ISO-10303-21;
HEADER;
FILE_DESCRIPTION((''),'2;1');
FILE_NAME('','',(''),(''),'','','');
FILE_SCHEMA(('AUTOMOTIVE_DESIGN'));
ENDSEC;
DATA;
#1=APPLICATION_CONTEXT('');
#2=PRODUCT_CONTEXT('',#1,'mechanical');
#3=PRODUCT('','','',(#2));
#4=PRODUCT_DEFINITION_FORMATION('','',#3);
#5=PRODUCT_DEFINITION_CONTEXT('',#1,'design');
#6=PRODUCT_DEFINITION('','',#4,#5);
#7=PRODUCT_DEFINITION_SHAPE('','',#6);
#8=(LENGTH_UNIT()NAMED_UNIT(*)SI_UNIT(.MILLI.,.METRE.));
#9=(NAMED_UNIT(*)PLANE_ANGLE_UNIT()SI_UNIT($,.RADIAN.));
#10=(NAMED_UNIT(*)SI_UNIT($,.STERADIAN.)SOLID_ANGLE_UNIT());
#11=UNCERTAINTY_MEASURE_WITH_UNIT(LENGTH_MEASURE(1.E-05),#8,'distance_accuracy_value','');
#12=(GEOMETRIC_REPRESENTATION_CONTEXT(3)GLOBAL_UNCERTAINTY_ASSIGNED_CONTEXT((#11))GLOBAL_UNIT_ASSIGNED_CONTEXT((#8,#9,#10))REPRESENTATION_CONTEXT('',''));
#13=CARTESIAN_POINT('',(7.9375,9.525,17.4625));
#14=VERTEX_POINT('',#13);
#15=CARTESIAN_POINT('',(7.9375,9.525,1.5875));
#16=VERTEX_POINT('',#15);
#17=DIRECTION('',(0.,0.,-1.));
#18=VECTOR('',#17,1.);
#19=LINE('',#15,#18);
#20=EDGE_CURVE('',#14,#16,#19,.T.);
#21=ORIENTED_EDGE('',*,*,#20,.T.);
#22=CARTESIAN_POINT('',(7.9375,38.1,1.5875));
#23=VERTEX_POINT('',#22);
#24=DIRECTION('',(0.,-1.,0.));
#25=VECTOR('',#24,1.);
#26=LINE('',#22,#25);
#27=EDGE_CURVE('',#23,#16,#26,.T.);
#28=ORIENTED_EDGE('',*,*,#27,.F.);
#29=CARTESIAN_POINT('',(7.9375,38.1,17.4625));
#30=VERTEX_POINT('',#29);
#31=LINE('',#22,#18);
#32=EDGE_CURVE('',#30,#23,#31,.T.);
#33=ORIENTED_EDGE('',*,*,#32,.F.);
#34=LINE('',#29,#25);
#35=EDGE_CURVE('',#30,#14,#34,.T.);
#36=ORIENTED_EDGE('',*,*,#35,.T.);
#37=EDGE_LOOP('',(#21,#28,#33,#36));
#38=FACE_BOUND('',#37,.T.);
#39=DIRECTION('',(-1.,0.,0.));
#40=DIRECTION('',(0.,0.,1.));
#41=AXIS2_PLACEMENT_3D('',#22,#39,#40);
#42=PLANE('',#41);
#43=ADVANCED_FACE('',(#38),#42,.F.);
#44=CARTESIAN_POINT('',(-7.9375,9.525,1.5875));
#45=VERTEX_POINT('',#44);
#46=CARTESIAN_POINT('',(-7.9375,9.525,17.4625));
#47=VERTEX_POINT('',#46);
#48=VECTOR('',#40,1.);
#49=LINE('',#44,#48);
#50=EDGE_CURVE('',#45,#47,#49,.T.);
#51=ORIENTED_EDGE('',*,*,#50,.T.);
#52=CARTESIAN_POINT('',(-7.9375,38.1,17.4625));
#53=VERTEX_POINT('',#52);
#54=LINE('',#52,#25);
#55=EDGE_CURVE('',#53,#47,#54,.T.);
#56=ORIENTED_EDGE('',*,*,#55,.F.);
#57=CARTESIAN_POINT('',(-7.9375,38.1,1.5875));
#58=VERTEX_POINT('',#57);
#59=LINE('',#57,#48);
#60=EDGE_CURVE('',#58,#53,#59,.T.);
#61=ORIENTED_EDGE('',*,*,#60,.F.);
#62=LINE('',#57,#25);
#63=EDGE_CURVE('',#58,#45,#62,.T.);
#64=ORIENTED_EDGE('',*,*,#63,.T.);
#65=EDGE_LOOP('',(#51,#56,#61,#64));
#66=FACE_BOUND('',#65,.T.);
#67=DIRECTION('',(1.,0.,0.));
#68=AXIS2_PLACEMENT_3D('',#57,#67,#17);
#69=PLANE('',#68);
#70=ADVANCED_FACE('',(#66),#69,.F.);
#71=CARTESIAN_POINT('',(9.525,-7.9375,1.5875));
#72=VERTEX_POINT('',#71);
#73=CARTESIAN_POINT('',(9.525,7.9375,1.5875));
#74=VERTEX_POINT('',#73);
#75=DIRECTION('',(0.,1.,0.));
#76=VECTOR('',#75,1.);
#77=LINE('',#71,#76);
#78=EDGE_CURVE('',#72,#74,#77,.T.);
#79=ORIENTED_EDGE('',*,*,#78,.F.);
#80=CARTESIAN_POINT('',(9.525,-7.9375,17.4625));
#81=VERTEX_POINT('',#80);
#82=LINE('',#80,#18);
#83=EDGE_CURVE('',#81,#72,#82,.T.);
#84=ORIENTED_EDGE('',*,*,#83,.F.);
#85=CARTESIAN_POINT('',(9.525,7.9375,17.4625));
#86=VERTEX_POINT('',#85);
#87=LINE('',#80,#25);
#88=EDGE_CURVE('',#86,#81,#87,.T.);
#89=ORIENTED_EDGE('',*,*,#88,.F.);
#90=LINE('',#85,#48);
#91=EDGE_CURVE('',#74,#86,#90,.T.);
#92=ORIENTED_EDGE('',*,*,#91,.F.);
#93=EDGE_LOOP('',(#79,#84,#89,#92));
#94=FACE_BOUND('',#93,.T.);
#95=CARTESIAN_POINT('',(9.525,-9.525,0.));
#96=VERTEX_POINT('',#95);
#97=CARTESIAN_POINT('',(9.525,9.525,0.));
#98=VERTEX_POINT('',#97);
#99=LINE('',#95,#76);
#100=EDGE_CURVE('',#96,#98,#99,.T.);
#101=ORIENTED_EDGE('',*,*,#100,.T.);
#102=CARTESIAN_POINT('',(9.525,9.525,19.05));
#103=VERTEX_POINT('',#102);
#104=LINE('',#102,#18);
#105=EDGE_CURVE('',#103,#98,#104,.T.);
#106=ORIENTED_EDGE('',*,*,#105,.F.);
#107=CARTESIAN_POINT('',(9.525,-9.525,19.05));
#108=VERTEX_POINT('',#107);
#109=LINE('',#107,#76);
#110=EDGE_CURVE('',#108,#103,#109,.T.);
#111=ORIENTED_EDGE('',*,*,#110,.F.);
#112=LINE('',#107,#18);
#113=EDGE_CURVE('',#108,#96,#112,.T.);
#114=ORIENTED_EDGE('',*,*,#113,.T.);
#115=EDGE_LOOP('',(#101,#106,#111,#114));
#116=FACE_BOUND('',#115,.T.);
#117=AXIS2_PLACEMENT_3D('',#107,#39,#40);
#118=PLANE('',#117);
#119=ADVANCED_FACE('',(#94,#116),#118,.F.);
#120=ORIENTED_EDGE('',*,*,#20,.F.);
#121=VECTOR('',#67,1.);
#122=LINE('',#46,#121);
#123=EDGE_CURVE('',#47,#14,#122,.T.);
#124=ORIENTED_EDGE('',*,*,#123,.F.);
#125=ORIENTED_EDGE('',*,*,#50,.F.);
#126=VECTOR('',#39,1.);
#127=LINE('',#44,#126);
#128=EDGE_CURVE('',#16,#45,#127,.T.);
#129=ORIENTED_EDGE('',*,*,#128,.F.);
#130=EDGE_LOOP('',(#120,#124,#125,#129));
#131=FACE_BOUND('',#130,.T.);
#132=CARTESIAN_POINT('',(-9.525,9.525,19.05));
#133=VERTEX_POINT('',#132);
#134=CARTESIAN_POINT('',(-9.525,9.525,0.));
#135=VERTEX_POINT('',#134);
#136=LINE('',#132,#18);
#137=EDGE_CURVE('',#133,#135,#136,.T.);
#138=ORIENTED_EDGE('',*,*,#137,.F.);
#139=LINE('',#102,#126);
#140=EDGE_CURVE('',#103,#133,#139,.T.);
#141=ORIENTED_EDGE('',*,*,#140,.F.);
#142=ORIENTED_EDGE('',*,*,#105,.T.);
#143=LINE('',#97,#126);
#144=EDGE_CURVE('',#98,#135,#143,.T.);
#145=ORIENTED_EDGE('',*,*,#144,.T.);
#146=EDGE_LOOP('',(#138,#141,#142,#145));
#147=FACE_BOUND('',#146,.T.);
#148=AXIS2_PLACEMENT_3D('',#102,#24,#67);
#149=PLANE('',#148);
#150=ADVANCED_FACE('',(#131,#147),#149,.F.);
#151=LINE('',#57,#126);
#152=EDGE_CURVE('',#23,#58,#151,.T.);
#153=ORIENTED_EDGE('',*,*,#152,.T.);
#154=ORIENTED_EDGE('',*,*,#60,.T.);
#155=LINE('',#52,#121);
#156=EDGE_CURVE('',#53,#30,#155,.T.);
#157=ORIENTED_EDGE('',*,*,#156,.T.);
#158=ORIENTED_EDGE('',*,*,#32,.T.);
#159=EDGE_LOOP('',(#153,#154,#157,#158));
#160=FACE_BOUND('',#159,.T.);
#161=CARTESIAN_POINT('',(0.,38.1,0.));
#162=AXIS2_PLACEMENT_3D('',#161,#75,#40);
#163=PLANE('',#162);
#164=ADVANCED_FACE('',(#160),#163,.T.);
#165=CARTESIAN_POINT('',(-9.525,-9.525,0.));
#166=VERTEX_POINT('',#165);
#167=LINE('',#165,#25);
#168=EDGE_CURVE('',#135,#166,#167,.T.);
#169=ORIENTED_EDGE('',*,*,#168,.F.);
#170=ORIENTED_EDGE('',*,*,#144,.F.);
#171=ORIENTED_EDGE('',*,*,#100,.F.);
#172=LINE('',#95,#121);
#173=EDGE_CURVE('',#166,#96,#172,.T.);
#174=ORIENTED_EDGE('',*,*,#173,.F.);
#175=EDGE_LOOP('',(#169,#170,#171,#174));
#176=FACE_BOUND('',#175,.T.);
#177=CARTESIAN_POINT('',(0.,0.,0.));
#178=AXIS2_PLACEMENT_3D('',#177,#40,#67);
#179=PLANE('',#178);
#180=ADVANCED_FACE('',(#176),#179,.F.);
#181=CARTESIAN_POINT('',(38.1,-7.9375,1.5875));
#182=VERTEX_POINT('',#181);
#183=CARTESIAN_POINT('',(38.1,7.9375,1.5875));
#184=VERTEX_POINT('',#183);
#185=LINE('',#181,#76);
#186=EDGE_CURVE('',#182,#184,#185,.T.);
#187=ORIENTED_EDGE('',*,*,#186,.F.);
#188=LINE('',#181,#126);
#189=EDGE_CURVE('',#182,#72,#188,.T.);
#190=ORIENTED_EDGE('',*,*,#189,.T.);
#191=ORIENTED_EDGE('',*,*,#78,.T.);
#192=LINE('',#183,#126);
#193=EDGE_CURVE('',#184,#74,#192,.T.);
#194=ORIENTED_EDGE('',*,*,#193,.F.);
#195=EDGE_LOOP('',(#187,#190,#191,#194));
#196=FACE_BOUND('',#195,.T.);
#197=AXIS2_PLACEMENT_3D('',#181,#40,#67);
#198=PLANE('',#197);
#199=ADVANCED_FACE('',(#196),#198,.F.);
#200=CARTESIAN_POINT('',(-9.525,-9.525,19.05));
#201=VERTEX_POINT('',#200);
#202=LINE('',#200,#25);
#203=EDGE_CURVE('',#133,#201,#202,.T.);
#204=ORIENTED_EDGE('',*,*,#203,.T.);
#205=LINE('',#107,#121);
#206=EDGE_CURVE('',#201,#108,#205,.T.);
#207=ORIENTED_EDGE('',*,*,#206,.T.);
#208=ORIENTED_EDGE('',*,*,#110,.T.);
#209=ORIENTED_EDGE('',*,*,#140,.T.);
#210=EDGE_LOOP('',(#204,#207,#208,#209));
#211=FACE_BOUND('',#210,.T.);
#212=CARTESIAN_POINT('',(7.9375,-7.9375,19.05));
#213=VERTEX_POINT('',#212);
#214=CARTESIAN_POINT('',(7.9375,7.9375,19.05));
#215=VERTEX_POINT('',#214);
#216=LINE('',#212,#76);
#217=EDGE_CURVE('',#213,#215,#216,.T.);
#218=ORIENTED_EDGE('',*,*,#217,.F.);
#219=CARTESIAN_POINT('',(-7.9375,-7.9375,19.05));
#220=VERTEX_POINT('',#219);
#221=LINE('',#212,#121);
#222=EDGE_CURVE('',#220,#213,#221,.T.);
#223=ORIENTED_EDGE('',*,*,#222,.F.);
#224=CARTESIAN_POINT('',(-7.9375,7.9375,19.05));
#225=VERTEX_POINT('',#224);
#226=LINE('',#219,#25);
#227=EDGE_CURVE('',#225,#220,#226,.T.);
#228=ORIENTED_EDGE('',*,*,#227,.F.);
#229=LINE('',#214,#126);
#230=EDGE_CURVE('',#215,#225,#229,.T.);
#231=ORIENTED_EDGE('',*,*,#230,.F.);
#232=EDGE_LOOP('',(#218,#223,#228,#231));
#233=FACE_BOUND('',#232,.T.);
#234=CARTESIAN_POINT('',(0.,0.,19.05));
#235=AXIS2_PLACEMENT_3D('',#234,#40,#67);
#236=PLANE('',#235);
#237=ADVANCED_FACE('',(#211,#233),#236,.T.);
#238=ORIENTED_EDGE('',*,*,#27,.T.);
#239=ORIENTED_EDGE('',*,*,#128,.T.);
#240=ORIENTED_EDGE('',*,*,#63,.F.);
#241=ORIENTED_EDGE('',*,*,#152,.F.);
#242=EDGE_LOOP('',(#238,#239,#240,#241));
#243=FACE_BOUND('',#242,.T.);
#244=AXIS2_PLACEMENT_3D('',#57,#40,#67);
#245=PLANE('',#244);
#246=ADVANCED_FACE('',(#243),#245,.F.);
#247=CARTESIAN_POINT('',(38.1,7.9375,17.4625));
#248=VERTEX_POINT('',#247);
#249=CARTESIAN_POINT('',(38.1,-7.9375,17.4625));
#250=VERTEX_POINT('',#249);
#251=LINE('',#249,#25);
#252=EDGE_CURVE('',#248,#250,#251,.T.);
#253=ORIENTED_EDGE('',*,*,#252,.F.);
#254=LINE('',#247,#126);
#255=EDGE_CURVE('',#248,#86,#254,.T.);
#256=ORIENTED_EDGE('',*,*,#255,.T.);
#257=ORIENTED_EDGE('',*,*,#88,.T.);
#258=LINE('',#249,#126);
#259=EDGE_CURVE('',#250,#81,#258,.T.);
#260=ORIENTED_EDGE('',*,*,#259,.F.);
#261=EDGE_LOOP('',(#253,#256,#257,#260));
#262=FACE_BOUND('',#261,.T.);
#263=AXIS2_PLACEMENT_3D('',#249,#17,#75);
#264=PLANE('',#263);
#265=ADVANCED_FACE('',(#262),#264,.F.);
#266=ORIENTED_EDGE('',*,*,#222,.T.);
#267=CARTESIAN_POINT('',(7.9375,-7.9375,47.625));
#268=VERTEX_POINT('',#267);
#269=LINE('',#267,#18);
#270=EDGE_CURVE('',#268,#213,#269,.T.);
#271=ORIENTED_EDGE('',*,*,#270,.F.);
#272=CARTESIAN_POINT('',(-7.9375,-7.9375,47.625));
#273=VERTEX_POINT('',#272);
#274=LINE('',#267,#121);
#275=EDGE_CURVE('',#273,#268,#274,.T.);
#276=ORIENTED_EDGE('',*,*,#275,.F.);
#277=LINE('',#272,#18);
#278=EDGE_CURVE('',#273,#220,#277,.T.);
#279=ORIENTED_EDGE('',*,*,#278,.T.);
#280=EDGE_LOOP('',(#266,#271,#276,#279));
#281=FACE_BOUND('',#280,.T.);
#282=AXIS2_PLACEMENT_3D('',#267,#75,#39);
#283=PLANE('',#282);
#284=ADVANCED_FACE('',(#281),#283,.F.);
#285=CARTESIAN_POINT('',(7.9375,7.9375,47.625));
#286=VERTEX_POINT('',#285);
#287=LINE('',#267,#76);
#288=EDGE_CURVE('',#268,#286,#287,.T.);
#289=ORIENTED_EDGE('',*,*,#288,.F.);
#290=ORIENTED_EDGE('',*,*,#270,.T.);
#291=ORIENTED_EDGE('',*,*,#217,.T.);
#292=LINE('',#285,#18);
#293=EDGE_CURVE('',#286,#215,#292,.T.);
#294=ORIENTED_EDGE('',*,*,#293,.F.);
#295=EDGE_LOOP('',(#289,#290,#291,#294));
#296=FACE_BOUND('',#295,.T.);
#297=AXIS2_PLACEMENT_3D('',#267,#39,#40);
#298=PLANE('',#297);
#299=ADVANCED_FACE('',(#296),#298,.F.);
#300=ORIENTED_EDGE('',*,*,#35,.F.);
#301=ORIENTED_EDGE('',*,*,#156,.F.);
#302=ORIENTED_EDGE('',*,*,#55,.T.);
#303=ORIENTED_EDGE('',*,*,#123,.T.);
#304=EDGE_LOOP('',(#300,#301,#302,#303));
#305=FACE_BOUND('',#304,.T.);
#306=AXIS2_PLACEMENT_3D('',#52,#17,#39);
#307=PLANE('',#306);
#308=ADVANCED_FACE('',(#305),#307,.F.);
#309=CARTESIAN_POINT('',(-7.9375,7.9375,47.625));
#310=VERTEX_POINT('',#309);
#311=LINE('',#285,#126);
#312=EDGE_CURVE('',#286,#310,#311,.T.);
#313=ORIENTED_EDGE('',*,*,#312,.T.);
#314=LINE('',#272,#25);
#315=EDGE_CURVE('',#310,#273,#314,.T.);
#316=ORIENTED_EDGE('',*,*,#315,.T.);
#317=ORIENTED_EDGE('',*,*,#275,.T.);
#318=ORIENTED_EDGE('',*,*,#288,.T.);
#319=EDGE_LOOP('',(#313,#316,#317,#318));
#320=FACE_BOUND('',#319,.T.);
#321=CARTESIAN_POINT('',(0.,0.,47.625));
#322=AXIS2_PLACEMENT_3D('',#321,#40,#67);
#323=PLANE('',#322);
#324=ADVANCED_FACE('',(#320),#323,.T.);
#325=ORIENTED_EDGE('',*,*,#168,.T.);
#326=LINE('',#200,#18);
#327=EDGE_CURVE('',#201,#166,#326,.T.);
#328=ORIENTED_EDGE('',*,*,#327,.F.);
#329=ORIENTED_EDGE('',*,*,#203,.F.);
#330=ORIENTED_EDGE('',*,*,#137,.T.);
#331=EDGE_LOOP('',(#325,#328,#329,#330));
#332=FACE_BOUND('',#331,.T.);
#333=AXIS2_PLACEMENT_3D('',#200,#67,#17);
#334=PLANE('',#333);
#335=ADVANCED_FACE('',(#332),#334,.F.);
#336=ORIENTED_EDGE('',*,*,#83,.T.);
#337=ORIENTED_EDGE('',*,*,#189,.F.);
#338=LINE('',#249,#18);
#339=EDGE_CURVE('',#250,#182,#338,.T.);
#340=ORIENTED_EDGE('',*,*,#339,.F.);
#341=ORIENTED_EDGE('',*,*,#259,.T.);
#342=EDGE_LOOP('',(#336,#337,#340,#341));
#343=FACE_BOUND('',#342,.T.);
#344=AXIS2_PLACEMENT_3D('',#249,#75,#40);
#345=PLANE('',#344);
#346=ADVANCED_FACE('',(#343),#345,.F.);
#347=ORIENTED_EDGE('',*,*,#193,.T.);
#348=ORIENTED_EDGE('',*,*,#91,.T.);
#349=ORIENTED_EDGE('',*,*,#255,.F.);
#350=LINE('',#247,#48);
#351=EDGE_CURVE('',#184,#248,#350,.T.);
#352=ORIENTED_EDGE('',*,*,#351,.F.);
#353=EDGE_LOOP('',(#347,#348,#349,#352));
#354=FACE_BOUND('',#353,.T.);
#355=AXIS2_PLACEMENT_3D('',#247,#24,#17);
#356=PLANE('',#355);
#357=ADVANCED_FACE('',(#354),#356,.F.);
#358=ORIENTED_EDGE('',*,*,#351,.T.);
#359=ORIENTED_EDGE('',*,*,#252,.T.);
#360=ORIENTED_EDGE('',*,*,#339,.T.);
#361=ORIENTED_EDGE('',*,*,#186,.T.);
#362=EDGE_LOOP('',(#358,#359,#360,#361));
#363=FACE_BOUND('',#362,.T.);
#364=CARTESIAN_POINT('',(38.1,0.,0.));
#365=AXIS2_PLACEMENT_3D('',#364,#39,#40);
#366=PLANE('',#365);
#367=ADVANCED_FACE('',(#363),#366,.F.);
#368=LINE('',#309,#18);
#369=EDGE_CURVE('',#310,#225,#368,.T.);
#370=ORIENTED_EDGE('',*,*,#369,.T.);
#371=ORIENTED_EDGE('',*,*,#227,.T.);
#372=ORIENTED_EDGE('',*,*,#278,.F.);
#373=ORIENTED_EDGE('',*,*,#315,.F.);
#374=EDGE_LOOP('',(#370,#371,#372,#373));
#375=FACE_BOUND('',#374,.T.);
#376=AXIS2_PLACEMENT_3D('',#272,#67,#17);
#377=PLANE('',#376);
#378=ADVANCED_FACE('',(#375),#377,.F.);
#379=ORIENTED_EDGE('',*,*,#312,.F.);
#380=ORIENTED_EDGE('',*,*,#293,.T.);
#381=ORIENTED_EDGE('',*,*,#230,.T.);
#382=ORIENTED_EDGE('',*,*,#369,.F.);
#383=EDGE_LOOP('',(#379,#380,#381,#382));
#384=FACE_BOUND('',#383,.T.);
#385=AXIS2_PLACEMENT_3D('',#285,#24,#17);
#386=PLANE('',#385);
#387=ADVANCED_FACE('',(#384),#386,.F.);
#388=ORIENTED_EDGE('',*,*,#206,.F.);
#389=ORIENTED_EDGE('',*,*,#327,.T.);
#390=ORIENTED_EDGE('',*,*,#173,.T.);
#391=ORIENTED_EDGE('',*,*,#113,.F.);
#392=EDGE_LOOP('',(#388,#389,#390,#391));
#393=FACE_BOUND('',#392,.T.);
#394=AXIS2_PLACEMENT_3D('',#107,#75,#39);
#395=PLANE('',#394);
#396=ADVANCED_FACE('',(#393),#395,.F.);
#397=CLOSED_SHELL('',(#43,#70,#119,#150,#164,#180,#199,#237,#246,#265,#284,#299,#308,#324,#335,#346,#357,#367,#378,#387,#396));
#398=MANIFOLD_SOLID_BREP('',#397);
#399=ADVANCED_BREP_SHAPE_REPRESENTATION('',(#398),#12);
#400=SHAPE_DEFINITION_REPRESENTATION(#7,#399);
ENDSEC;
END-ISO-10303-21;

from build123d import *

# Parameters (mm, degrees)
SKETCH1_W           = 19.05
SKETCH1_H           = 19.05
BOSS_EXTRUDE1_DEPTH = 19.05
SKETCH2_W           = 15.875
SKETCH2_H           = 15.875
BOSS_EXTRUDE2_DEPTH = 28.575
SKETCH3_W           = 15.875
SKETCH3_H           = 15.875
BOSS_EXTRUDE3_DEPTH = 28.575
SKETCH4_W           = 15.875
SKETCH4_H           = 15.875
BOSS_EXTRUDE4_DEPTH = 28.575


with BuildPart() as part:
    # Sketch1 → Boss-Extrude1 (new body)
    with BuildSketch(Plane.XY):
        Rectangle(SKETCH1_W, SKETCH1_H)
    extrude(amount=BOSS_EXTRUDE1_DEPTH)

    # Sketch2 → Boss-Extrude2 (add)
    with BuildSketch(Plane(origin=(0, 9.525, 0), x_dir=(1, 0, 0), z_dir=(0, 1, 0))):
        with Locations((0, -9.525)):
            Rectangle(SKETCH2_W, SKETCH2_H)
    extrude(amount=BOSS_EXTRUDE2_DEPTH)

    # Sketch3 → Boss-Extrude3 (add)
    with BuildSketch(Plane(origin=(9.525, 0, 0), x_dir=(0, 0, -1), z_dir=(1, 0, 0))):
        with Locations((-9.525, 0)):
            Rectangle(SKETCH3_W, SKETCH3_H)
    extrude(amount=BOSS_EXTRUDE3_DEPTH)

    # Sketch4 → Boss-Extrude4 (add)
    with BuildSketch(Plane.XY.offset(19.05)):
        Rectangle(SKETCH4_W, SKETCH4_H)
    extrude(amount=BOSS_EXTRUDE4_DEPTH)


solid = part.part
